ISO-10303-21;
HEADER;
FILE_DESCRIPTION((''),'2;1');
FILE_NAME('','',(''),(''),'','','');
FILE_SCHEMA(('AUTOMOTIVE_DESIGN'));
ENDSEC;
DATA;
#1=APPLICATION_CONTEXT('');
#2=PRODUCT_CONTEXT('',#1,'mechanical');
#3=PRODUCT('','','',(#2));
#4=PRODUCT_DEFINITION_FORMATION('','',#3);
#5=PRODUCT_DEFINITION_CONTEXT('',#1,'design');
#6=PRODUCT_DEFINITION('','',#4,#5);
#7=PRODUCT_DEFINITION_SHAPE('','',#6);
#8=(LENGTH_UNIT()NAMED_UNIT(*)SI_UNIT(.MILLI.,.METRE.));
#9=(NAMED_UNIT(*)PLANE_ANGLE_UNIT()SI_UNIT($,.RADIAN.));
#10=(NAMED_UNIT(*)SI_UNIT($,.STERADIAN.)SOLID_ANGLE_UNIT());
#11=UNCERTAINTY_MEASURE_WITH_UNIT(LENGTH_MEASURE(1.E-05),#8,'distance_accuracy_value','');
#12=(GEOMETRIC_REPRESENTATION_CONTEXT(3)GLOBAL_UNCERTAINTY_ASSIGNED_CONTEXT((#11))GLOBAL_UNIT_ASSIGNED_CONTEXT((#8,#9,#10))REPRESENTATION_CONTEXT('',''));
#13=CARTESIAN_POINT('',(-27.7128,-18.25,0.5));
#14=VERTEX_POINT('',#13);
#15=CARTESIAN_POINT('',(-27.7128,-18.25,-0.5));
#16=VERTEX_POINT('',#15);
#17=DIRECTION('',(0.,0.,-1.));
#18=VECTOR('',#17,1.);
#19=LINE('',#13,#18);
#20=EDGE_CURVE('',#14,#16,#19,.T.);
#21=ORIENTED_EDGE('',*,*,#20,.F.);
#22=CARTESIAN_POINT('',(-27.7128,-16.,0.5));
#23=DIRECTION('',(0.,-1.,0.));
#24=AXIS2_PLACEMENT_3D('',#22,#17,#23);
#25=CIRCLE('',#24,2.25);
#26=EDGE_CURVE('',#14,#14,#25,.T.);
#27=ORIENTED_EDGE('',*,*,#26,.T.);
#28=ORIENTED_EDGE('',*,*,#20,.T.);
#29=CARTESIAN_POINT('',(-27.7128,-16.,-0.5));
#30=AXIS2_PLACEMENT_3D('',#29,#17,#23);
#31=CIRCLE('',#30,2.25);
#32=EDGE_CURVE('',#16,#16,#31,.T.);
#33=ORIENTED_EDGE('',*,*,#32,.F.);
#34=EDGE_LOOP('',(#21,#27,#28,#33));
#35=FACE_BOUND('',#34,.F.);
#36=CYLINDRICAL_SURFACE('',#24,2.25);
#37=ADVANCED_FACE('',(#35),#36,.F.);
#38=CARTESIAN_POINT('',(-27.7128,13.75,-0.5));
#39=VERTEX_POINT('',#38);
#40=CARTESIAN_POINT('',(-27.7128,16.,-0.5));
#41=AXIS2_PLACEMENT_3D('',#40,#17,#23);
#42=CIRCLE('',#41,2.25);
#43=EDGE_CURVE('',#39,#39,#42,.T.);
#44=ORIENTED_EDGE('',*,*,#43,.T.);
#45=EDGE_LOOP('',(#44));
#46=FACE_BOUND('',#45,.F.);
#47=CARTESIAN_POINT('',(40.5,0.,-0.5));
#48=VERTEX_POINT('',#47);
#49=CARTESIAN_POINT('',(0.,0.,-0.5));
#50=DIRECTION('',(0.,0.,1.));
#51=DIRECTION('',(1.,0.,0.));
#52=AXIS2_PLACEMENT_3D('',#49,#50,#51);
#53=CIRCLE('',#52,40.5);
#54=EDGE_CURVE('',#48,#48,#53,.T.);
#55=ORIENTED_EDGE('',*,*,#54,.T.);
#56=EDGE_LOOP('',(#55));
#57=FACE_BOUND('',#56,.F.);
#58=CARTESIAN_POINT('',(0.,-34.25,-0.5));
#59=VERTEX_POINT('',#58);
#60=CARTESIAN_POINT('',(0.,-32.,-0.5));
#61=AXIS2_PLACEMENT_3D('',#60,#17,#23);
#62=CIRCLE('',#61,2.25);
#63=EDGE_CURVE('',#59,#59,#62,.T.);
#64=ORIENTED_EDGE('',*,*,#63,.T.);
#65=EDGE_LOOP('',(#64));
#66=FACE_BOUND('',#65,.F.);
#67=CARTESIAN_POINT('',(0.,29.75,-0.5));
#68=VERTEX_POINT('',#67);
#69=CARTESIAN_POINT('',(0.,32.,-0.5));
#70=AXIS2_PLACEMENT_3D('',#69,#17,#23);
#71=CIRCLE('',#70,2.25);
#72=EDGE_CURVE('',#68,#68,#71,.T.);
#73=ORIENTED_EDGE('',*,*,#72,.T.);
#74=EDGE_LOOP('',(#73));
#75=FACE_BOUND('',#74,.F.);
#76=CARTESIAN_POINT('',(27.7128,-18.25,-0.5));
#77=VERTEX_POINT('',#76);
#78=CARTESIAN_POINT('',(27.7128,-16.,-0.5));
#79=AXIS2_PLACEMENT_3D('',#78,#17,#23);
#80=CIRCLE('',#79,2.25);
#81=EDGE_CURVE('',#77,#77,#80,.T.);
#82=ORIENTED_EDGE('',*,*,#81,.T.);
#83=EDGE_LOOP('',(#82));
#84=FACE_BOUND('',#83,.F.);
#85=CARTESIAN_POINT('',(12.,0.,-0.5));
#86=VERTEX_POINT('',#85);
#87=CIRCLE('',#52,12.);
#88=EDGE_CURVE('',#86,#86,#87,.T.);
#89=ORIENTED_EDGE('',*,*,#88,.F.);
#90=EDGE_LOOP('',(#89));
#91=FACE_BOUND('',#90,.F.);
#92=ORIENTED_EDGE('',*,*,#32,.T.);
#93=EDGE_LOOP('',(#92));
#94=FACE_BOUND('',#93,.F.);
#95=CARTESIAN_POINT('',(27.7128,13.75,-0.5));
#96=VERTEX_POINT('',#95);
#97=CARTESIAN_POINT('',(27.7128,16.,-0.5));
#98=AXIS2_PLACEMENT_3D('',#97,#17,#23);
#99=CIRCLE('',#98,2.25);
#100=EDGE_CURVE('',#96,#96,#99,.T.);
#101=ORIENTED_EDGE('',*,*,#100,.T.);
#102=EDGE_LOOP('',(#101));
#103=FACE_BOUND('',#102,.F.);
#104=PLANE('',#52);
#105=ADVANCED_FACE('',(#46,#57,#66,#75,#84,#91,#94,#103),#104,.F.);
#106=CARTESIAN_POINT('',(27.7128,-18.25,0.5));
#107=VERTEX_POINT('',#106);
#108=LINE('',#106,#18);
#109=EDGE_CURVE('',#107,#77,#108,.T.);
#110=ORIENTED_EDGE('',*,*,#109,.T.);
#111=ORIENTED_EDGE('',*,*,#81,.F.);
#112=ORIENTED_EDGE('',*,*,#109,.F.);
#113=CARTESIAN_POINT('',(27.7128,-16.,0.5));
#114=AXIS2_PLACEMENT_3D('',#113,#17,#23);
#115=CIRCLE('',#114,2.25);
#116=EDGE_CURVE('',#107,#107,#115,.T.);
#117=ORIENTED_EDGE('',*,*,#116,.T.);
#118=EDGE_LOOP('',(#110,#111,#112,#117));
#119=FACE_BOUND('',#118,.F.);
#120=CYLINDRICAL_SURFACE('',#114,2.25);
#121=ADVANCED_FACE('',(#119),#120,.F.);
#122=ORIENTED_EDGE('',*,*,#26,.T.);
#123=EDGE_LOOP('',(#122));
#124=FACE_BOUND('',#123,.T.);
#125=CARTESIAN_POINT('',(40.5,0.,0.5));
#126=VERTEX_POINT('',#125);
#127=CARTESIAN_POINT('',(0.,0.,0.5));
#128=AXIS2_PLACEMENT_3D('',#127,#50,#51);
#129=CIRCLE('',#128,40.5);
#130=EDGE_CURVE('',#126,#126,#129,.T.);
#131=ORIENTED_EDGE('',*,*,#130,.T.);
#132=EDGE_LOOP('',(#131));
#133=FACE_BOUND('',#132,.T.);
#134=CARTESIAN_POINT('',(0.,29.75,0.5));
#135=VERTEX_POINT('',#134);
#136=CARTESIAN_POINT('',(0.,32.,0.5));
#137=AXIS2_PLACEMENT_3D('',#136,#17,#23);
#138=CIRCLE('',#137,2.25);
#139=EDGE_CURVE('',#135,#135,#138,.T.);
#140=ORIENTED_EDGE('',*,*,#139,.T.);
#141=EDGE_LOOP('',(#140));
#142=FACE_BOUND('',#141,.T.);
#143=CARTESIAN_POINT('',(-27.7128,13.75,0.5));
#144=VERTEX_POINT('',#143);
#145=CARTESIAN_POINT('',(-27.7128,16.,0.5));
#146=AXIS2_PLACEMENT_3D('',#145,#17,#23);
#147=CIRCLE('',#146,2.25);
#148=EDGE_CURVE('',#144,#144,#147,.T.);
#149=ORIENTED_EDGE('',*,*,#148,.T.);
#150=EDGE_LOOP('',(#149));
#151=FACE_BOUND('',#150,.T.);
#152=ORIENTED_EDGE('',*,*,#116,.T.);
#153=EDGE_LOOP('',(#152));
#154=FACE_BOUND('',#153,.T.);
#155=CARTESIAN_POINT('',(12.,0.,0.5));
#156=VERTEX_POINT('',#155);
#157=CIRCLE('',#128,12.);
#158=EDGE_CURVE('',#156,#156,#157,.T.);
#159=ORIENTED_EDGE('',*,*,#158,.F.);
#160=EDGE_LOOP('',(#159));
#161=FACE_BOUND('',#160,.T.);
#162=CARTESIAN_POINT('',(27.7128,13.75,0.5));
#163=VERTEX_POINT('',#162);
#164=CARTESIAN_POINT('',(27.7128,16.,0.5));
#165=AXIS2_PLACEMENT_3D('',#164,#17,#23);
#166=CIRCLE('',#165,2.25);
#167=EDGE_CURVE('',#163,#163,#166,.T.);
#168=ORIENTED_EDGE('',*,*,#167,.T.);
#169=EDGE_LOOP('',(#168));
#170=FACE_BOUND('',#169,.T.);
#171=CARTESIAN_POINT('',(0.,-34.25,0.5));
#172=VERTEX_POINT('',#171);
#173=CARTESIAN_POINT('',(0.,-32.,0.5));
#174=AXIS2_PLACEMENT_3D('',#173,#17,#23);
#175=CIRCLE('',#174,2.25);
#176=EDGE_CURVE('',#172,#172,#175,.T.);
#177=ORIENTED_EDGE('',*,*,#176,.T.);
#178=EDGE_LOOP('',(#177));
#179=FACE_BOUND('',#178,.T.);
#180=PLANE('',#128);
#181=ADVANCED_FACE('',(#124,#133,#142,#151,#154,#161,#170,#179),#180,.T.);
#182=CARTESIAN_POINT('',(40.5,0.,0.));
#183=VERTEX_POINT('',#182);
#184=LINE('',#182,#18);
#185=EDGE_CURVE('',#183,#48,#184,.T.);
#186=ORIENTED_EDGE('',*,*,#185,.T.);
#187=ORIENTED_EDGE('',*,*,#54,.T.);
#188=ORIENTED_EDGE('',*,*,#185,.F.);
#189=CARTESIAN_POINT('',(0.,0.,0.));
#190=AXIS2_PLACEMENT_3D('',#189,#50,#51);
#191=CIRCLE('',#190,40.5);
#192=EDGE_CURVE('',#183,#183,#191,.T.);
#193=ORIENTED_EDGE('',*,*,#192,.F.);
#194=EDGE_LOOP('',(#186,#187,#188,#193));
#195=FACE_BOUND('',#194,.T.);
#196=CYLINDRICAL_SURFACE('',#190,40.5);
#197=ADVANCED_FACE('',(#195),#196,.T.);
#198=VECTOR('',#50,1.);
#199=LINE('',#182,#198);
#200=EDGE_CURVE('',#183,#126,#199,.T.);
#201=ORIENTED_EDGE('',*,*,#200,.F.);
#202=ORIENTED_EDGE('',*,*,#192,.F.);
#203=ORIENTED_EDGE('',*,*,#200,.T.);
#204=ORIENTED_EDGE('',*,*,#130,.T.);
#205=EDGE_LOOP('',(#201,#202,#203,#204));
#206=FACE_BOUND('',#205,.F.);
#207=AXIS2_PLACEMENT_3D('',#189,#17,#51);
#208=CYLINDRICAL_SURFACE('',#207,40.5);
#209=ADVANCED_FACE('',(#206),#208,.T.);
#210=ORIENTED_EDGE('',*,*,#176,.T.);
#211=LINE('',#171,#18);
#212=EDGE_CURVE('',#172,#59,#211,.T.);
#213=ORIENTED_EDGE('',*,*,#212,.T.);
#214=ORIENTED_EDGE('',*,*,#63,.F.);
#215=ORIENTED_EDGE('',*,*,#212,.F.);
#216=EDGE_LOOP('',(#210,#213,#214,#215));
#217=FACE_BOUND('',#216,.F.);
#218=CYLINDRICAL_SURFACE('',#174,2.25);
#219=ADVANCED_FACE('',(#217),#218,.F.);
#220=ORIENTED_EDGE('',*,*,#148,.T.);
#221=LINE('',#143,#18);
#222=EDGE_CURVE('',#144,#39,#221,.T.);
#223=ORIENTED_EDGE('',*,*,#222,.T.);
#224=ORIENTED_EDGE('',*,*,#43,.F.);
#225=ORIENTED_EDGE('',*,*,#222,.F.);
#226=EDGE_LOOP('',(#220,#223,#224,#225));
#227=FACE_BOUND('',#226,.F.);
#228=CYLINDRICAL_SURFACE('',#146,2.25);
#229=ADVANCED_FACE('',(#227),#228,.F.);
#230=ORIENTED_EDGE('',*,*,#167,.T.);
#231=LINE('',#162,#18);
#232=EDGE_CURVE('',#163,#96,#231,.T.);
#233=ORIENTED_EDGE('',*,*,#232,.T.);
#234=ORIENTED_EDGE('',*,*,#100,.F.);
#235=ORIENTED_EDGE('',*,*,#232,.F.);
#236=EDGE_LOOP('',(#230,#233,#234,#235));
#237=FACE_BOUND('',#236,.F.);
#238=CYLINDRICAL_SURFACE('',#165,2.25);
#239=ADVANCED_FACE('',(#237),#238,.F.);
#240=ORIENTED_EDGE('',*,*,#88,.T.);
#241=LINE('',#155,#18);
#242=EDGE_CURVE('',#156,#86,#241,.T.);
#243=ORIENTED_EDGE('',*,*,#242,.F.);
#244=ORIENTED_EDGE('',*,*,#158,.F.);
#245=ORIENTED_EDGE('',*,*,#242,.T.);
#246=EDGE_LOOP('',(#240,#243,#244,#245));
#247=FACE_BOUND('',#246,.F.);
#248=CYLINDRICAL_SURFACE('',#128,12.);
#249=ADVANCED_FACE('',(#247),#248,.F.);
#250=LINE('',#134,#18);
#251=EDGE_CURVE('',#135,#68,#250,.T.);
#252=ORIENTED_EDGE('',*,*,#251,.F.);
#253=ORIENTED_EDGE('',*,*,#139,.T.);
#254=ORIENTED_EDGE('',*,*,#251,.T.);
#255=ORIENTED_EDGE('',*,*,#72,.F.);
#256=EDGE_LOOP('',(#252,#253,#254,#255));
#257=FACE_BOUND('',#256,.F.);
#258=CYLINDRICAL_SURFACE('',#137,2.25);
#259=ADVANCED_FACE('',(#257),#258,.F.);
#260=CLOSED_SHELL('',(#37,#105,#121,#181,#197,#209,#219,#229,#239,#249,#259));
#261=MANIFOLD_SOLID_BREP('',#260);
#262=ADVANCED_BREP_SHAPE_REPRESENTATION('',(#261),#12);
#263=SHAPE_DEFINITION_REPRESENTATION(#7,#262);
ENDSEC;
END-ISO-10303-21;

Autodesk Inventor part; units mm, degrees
ref_plane "YZ Plane" through (0, 0, 0) normal (1, 0, 0) x (0, 1, 0)
ref_plane "XZ Plane" through (0, 0, 0) normal (0, 1, 0) x (-1, 0, 0)
ref_plane "XY Plane" through (0, 0, 0) normal (0, 0, 1) x (1, 0, 0)
sketch "スケッチ1" plane through (0, 0, 0) normal (0, 0, 1) x (1, 0, 0)
  circle A0 centre (0, 0) radius 40.5
  dimension "d0" = 81
extrude "プレート1" add sketch "スケッチ1" along normal mid plane 1
sketch "スケッチ2" plane through (0, 0, 0.5) normal (0, 0, 1) x (1, 0, 0)
  circle A0 centre (0, 0) radius 12
  dimension "d2" = 24
extrude "押し出し1" cut sketch "スケッチ2" against normal blind 10
sketch "スケッチ3" plane through (0, 0, 0.5) normal (0, 0, 1) x (1, 0, 0)
  circle A0 centre (0, 0) radius 32
  point P0 (0, 32)
  point P1 (-27.7128, 16)
  point P2 (-27.7128, -16)
  point P3 (0, -32)
  point P4 (27.7128, -16)
  point P5 (27.7128, 16)
  dimension "d5" = 64
  dimension "d8" = 360
hole "穴1" at (0, 32, 0.5) at (-27.7128, 16, 0.5) at (-27.7128, -16, 0.5) at (0, -32, 0.5) at (27.7128, -16, 0.5) at (27.7128, 16, 0.5) direction (0, 0, -1) diameter 4.5 end through all clearance for "Flat Head Machine Screw" size "M4" standard "Ansi Metric M Profile"
equation "\"d15\" = Thickness"
equation "\"d1\" = Thickness"
equation "\"BendRadius\" = Thickness"
equation "\"BendReliefWidth\" = Thickness"
equation "\"BendReliefDepth\" = 0.5 * Thickness"
equation "\"CornerReliefSize\" = 4 * Thickness"
equation "\"MinimumRemnant\" = 2 * Thickness"
equation "\"TransitionRadius\" = BendRadius"
equation "\"JacobiRadiusSize\" = BendRadius"
equation "\"GapSize\" = Thickness"
equation "\"Thickness\" = 1"
properties part number "unit-plate1" material "CFRP"
